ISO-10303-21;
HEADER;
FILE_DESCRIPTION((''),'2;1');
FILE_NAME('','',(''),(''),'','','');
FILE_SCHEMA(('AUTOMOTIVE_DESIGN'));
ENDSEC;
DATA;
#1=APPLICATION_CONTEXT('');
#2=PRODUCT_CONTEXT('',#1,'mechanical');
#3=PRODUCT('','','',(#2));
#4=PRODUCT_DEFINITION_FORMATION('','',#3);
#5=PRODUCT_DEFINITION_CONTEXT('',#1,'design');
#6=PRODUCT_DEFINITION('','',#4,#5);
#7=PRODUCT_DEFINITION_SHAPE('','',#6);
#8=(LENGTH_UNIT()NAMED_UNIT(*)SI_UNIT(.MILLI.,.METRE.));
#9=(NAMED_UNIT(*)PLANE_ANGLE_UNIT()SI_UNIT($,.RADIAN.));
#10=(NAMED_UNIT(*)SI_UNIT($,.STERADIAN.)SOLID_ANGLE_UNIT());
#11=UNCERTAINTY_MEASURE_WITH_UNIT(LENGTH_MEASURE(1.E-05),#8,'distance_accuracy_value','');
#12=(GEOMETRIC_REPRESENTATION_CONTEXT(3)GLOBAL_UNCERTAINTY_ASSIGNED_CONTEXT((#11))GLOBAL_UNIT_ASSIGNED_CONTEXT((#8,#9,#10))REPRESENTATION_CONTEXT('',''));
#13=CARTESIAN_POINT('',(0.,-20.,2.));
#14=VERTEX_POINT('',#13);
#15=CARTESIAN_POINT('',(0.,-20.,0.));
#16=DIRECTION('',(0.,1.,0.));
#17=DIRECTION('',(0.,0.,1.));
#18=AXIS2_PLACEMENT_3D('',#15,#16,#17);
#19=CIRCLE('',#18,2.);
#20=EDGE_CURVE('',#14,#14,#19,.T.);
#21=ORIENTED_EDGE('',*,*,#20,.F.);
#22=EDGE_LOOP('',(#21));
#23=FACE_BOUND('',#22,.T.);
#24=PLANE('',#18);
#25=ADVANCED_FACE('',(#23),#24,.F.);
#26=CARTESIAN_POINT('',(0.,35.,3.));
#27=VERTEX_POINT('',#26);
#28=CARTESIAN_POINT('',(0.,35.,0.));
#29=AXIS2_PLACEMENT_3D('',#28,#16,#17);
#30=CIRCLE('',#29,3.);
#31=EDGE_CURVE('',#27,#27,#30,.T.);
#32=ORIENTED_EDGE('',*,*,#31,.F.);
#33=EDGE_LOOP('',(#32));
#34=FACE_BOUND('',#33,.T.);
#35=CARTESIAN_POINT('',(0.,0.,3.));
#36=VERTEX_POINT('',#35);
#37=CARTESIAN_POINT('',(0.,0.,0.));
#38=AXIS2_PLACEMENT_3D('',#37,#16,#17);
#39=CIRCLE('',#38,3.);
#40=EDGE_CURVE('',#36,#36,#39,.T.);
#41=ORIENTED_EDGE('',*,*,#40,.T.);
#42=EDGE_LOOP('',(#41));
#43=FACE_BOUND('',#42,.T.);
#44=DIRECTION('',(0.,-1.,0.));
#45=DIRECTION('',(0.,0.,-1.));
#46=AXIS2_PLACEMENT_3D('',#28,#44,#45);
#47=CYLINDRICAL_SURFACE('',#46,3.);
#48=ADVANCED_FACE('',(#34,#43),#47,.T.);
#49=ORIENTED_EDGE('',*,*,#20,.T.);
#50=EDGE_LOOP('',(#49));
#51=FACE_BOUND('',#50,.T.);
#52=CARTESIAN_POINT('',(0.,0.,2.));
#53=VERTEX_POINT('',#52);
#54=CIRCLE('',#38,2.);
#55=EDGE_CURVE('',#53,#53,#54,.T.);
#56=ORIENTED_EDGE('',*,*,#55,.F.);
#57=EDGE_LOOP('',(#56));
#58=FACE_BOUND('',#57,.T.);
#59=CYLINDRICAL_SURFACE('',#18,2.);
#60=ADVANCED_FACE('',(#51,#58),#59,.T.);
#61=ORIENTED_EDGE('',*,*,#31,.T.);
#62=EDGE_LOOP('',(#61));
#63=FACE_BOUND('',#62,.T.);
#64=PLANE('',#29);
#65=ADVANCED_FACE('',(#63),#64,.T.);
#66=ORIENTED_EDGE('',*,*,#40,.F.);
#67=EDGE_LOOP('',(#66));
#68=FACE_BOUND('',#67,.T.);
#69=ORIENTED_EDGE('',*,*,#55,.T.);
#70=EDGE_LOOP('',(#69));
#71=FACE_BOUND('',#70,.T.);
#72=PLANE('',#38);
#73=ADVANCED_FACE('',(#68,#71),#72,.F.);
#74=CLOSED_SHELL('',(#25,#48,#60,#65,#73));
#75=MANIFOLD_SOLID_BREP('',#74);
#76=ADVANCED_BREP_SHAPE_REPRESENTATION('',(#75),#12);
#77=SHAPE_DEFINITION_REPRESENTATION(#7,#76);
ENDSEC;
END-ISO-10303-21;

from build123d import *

# Parameters (mm, degrees)
SKETCH1_R           = 3
BOSS_EXTRUDE1_DEPTH = 35
SKETCH1_3_R         = 2
BOSS_EXTRUDE2_DEPTH = 20


with BuildPart() as part:
    # Sketch1 → Boss-Extrude1 (new body)
    with BuildSketch(Plane(origin=(0, 0, 0), x_dir=(1, 0, 0), z_dir=(0, 1, 0))):
        Circle(SKETCH1_R)
    extrude(amount=BOSS_EXTRUDE1_DEPTH)

    # Sketch1<3> → Boss-Extrude2 (add)
    with BuildSketch(Plane(origin=(0, 0, 0), x_dir=(1, 0, 0), z_dir=(0, 1, 0))):
        Circle(SKETCH1_3_R)
    extrude(amount=-BOSS_EXTRUDE2_DEPTH)


solid = part.part
